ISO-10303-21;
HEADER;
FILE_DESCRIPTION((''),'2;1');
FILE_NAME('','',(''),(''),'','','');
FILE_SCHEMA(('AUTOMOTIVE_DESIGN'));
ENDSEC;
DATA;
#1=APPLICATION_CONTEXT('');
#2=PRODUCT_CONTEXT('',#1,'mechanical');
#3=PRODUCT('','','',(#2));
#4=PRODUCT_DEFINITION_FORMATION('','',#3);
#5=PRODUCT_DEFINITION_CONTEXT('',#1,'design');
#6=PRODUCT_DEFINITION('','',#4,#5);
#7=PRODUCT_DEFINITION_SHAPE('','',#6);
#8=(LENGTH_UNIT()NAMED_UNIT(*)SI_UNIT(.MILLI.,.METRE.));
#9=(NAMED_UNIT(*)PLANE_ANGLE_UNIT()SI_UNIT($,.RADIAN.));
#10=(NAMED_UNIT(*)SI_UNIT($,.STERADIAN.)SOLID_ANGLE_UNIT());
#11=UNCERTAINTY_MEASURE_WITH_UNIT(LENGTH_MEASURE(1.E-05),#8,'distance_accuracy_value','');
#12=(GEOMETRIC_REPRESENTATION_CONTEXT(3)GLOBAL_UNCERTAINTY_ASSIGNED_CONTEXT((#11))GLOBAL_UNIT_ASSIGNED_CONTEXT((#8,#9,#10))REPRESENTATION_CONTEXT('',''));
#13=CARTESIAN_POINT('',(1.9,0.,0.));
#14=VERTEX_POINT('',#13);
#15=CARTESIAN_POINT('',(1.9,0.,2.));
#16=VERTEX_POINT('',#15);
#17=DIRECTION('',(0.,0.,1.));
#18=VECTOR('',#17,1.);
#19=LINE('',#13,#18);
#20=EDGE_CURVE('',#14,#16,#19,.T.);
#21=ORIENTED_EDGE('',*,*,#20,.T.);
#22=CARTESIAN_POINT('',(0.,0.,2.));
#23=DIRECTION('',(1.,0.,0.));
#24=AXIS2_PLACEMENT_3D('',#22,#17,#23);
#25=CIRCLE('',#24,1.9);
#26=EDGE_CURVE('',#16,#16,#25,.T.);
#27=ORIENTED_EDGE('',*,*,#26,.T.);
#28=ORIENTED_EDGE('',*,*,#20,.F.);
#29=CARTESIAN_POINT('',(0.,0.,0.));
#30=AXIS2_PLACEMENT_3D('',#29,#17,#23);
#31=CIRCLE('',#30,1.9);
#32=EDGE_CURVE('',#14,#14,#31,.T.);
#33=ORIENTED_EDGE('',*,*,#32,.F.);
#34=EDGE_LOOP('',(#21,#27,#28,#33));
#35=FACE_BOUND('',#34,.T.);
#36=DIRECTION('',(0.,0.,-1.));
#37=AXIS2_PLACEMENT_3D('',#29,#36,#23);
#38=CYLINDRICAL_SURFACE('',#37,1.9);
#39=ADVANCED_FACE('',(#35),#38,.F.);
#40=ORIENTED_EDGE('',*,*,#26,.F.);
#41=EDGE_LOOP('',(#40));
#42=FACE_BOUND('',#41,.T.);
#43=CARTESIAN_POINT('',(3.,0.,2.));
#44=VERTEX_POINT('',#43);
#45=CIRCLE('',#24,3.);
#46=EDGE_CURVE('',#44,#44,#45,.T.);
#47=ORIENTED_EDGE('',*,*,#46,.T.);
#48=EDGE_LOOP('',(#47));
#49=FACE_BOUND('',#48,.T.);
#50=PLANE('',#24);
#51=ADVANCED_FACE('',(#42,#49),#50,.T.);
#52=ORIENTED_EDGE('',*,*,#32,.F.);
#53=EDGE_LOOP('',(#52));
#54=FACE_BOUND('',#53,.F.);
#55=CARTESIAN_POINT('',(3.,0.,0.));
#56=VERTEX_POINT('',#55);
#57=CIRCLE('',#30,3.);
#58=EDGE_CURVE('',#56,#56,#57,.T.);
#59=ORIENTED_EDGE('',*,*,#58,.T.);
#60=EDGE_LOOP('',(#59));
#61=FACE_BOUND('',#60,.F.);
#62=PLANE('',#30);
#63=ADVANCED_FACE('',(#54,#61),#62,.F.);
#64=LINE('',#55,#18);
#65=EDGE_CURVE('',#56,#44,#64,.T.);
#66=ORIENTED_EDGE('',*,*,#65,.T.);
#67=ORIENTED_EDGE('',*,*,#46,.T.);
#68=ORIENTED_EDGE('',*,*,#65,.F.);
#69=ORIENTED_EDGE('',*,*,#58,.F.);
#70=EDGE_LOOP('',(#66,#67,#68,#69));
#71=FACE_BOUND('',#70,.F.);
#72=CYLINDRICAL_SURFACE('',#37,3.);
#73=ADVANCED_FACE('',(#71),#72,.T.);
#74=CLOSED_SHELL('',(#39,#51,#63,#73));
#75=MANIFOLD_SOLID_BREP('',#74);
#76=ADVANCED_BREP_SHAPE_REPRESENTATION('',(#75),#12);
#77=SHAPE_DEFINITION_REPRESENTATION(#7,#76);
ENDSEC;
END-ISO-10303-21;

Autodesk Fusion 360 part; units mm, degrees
sketch "Sketch1" plane through (0, 0, 0) normal (0, 0, 1) x (1, 0, 0)
  circle A0 centre (0, 0) radius 1.9
  circle A1 centre (0, 0) radius 3
  dimension "d1" = 3.8
  dimension "d2" = 6
extrude "Extrude1" add sketch "Sketch1" along normal blind 2
